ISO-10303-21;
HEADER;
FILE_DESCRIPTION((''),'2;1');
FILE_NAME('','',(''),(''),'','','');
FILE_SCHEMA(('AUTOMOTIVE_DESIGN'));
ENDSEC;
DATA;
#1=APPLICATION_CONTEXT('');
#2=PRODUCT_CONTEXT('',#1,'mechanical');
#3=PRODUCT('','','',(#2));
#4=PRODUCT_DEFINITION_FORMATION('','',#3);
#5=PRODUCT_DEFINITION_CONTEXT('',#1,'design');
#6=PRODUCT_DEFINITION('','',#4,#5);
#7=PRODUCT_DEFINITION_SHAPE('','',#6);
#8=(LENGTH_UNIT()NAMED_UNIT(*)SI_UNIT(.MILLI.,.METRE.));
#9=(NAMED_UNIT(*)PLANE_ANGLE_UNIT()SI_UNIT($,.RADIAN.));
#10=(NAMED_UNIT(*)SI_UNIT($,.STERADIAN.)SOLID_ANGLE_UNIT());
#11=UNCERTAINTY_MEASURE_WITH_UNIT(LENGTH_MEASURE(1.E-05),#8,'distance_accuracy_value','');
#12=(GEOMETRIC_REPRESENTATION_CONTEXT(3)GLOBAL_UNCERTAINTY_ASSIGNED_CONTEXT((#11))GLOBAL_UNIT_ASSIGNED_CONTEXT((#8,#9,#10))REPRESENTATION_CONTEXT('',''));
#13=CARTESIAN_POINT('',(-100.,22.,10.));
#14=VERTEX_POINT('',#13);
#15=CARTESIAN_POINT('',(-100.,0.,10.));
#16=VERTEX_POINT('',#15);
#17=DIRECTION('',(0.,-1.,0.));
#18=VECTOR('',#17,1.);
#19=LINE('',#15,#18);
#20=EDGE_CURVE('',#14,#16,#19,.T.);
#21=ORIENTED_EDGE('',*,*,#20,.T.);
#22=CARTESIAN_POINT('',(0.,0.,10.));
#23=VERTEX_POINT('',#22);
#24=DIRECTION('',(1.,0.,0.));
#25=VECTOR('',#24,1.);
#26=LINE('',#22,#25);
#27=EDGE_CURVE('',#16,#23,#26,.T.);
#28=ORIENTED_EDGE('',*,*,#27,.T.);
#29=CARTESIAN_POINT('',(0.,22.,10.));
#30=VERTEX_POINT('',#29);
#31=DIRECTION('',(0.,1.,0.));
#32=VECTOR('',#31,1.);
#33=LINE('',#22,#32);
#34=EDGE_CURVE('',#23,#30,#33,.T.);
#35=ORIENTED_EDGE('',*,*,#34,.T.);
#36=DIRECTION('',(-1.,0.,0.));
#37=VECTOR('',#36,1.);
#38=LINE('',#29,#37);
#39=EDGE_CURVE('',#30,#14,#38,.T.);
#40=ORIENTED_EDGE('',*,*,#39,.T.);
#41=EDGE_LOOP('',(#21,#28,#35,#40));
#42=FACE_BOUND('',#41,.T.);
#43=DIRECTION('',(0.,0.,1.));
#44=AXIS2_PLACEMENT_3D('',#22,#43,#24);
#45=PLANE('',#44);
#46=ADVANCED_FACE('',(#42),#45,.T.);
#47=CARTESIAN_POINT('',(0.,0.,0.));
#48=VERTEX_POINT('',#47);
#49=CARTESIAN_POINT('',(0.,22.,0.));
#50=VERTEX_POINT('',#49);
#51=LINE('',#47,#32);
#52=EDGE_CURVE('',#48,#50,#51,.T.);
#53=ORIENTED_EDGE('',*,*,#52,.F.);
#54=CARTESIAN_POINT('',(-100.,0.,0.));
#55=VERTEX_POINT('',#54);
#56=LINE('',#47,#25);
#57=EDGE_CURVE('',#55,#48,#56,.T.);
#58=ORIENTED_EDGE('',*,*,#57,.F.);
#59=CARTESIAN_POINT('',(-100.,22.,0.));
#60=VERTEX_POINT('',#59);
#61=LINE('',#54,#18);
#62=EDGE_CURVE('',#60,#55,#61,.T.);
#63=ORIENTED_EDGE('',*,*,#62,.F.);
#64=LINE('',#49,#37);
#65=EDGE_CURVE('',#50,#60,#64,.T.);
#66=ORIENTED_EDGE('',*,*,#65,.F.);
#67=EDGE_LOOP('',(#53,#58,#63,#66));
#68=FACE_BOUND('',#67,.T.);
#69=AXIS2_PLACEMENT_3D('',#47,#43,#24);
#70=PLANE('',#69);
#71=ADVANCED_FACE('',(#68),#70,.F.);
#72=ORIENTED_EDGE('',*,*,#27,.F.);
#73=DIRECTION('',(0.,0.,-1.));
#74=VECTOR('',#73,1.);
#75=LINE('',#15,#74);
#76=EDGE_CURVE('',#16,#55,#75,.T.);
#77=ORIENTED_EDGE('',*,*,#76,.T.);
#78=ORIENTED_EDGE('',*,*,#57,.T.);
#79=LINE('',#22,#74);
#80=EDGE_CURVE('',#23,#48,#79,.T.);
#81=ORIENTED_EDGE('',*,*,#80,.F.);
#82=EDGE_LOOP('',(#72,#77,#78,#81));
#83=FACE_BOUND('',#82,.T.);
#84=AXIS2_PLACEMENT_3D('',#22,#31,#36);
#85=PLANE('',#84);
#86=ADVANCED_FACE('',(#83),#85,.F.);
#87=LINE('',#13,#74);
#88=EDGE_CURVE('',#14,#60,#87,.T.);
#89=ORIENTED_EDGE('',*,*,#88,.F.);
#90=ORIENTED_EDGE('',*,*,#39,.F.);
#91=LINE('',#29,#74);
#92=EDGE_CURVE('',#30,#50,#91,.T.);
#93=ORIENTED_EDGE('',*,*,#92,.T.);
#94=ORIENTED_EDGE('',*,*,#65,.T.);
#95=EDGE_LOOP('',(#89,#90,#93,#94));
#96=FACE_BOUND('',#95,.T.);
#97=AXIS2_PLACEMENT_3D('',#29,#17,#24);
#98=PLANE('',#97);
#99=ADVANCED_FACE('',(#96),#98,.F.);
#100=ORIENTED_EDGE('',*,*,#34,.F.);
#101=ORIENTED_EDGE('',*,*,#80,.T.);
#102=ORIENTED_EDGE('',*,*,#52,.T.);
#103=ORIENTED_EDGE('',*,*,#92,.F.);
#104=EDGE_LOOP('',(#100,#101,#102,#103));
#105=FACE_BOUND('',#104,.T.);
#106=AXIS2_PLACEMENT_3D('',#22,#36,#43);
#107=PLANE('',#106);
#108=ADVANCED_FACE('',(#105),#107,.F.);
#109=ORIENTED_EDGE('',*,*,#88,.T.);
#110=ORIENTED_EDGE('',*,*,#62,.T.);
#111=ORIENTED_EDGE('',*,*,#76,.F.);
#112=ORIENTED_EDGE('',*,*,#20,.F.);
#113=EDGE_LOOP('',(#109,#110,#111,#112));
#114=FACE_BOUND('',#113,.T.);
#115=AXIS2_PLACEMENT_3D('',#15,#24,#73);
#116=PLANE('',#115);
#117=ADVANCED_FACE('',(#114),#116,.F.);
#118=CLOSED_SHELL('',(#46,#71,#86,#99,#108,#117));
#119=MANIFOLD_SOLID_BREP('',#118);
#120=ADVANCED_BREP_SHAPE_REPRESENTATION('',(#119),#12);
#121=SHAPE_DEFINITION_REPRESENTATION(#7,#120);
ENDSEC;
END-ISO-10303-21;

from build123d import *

# Parameters (mm, degrees)
SKETCH1_W           = 100
SKETCH1_H           = 22
BOSS_EXTRUDE1_DEPTH = 10


with BuildPart() as part:
    # Sketch1 → Boss-Extrude1 (new body)
    with BuildSketch(Plane.XY):
        with Locations((-50, 11)):
            Rectangle(SKETCH1_W, SKETCH1_H)
    extrude(amount=BOSS_EXTRUDE1_DEPTH)


solid = part.part
